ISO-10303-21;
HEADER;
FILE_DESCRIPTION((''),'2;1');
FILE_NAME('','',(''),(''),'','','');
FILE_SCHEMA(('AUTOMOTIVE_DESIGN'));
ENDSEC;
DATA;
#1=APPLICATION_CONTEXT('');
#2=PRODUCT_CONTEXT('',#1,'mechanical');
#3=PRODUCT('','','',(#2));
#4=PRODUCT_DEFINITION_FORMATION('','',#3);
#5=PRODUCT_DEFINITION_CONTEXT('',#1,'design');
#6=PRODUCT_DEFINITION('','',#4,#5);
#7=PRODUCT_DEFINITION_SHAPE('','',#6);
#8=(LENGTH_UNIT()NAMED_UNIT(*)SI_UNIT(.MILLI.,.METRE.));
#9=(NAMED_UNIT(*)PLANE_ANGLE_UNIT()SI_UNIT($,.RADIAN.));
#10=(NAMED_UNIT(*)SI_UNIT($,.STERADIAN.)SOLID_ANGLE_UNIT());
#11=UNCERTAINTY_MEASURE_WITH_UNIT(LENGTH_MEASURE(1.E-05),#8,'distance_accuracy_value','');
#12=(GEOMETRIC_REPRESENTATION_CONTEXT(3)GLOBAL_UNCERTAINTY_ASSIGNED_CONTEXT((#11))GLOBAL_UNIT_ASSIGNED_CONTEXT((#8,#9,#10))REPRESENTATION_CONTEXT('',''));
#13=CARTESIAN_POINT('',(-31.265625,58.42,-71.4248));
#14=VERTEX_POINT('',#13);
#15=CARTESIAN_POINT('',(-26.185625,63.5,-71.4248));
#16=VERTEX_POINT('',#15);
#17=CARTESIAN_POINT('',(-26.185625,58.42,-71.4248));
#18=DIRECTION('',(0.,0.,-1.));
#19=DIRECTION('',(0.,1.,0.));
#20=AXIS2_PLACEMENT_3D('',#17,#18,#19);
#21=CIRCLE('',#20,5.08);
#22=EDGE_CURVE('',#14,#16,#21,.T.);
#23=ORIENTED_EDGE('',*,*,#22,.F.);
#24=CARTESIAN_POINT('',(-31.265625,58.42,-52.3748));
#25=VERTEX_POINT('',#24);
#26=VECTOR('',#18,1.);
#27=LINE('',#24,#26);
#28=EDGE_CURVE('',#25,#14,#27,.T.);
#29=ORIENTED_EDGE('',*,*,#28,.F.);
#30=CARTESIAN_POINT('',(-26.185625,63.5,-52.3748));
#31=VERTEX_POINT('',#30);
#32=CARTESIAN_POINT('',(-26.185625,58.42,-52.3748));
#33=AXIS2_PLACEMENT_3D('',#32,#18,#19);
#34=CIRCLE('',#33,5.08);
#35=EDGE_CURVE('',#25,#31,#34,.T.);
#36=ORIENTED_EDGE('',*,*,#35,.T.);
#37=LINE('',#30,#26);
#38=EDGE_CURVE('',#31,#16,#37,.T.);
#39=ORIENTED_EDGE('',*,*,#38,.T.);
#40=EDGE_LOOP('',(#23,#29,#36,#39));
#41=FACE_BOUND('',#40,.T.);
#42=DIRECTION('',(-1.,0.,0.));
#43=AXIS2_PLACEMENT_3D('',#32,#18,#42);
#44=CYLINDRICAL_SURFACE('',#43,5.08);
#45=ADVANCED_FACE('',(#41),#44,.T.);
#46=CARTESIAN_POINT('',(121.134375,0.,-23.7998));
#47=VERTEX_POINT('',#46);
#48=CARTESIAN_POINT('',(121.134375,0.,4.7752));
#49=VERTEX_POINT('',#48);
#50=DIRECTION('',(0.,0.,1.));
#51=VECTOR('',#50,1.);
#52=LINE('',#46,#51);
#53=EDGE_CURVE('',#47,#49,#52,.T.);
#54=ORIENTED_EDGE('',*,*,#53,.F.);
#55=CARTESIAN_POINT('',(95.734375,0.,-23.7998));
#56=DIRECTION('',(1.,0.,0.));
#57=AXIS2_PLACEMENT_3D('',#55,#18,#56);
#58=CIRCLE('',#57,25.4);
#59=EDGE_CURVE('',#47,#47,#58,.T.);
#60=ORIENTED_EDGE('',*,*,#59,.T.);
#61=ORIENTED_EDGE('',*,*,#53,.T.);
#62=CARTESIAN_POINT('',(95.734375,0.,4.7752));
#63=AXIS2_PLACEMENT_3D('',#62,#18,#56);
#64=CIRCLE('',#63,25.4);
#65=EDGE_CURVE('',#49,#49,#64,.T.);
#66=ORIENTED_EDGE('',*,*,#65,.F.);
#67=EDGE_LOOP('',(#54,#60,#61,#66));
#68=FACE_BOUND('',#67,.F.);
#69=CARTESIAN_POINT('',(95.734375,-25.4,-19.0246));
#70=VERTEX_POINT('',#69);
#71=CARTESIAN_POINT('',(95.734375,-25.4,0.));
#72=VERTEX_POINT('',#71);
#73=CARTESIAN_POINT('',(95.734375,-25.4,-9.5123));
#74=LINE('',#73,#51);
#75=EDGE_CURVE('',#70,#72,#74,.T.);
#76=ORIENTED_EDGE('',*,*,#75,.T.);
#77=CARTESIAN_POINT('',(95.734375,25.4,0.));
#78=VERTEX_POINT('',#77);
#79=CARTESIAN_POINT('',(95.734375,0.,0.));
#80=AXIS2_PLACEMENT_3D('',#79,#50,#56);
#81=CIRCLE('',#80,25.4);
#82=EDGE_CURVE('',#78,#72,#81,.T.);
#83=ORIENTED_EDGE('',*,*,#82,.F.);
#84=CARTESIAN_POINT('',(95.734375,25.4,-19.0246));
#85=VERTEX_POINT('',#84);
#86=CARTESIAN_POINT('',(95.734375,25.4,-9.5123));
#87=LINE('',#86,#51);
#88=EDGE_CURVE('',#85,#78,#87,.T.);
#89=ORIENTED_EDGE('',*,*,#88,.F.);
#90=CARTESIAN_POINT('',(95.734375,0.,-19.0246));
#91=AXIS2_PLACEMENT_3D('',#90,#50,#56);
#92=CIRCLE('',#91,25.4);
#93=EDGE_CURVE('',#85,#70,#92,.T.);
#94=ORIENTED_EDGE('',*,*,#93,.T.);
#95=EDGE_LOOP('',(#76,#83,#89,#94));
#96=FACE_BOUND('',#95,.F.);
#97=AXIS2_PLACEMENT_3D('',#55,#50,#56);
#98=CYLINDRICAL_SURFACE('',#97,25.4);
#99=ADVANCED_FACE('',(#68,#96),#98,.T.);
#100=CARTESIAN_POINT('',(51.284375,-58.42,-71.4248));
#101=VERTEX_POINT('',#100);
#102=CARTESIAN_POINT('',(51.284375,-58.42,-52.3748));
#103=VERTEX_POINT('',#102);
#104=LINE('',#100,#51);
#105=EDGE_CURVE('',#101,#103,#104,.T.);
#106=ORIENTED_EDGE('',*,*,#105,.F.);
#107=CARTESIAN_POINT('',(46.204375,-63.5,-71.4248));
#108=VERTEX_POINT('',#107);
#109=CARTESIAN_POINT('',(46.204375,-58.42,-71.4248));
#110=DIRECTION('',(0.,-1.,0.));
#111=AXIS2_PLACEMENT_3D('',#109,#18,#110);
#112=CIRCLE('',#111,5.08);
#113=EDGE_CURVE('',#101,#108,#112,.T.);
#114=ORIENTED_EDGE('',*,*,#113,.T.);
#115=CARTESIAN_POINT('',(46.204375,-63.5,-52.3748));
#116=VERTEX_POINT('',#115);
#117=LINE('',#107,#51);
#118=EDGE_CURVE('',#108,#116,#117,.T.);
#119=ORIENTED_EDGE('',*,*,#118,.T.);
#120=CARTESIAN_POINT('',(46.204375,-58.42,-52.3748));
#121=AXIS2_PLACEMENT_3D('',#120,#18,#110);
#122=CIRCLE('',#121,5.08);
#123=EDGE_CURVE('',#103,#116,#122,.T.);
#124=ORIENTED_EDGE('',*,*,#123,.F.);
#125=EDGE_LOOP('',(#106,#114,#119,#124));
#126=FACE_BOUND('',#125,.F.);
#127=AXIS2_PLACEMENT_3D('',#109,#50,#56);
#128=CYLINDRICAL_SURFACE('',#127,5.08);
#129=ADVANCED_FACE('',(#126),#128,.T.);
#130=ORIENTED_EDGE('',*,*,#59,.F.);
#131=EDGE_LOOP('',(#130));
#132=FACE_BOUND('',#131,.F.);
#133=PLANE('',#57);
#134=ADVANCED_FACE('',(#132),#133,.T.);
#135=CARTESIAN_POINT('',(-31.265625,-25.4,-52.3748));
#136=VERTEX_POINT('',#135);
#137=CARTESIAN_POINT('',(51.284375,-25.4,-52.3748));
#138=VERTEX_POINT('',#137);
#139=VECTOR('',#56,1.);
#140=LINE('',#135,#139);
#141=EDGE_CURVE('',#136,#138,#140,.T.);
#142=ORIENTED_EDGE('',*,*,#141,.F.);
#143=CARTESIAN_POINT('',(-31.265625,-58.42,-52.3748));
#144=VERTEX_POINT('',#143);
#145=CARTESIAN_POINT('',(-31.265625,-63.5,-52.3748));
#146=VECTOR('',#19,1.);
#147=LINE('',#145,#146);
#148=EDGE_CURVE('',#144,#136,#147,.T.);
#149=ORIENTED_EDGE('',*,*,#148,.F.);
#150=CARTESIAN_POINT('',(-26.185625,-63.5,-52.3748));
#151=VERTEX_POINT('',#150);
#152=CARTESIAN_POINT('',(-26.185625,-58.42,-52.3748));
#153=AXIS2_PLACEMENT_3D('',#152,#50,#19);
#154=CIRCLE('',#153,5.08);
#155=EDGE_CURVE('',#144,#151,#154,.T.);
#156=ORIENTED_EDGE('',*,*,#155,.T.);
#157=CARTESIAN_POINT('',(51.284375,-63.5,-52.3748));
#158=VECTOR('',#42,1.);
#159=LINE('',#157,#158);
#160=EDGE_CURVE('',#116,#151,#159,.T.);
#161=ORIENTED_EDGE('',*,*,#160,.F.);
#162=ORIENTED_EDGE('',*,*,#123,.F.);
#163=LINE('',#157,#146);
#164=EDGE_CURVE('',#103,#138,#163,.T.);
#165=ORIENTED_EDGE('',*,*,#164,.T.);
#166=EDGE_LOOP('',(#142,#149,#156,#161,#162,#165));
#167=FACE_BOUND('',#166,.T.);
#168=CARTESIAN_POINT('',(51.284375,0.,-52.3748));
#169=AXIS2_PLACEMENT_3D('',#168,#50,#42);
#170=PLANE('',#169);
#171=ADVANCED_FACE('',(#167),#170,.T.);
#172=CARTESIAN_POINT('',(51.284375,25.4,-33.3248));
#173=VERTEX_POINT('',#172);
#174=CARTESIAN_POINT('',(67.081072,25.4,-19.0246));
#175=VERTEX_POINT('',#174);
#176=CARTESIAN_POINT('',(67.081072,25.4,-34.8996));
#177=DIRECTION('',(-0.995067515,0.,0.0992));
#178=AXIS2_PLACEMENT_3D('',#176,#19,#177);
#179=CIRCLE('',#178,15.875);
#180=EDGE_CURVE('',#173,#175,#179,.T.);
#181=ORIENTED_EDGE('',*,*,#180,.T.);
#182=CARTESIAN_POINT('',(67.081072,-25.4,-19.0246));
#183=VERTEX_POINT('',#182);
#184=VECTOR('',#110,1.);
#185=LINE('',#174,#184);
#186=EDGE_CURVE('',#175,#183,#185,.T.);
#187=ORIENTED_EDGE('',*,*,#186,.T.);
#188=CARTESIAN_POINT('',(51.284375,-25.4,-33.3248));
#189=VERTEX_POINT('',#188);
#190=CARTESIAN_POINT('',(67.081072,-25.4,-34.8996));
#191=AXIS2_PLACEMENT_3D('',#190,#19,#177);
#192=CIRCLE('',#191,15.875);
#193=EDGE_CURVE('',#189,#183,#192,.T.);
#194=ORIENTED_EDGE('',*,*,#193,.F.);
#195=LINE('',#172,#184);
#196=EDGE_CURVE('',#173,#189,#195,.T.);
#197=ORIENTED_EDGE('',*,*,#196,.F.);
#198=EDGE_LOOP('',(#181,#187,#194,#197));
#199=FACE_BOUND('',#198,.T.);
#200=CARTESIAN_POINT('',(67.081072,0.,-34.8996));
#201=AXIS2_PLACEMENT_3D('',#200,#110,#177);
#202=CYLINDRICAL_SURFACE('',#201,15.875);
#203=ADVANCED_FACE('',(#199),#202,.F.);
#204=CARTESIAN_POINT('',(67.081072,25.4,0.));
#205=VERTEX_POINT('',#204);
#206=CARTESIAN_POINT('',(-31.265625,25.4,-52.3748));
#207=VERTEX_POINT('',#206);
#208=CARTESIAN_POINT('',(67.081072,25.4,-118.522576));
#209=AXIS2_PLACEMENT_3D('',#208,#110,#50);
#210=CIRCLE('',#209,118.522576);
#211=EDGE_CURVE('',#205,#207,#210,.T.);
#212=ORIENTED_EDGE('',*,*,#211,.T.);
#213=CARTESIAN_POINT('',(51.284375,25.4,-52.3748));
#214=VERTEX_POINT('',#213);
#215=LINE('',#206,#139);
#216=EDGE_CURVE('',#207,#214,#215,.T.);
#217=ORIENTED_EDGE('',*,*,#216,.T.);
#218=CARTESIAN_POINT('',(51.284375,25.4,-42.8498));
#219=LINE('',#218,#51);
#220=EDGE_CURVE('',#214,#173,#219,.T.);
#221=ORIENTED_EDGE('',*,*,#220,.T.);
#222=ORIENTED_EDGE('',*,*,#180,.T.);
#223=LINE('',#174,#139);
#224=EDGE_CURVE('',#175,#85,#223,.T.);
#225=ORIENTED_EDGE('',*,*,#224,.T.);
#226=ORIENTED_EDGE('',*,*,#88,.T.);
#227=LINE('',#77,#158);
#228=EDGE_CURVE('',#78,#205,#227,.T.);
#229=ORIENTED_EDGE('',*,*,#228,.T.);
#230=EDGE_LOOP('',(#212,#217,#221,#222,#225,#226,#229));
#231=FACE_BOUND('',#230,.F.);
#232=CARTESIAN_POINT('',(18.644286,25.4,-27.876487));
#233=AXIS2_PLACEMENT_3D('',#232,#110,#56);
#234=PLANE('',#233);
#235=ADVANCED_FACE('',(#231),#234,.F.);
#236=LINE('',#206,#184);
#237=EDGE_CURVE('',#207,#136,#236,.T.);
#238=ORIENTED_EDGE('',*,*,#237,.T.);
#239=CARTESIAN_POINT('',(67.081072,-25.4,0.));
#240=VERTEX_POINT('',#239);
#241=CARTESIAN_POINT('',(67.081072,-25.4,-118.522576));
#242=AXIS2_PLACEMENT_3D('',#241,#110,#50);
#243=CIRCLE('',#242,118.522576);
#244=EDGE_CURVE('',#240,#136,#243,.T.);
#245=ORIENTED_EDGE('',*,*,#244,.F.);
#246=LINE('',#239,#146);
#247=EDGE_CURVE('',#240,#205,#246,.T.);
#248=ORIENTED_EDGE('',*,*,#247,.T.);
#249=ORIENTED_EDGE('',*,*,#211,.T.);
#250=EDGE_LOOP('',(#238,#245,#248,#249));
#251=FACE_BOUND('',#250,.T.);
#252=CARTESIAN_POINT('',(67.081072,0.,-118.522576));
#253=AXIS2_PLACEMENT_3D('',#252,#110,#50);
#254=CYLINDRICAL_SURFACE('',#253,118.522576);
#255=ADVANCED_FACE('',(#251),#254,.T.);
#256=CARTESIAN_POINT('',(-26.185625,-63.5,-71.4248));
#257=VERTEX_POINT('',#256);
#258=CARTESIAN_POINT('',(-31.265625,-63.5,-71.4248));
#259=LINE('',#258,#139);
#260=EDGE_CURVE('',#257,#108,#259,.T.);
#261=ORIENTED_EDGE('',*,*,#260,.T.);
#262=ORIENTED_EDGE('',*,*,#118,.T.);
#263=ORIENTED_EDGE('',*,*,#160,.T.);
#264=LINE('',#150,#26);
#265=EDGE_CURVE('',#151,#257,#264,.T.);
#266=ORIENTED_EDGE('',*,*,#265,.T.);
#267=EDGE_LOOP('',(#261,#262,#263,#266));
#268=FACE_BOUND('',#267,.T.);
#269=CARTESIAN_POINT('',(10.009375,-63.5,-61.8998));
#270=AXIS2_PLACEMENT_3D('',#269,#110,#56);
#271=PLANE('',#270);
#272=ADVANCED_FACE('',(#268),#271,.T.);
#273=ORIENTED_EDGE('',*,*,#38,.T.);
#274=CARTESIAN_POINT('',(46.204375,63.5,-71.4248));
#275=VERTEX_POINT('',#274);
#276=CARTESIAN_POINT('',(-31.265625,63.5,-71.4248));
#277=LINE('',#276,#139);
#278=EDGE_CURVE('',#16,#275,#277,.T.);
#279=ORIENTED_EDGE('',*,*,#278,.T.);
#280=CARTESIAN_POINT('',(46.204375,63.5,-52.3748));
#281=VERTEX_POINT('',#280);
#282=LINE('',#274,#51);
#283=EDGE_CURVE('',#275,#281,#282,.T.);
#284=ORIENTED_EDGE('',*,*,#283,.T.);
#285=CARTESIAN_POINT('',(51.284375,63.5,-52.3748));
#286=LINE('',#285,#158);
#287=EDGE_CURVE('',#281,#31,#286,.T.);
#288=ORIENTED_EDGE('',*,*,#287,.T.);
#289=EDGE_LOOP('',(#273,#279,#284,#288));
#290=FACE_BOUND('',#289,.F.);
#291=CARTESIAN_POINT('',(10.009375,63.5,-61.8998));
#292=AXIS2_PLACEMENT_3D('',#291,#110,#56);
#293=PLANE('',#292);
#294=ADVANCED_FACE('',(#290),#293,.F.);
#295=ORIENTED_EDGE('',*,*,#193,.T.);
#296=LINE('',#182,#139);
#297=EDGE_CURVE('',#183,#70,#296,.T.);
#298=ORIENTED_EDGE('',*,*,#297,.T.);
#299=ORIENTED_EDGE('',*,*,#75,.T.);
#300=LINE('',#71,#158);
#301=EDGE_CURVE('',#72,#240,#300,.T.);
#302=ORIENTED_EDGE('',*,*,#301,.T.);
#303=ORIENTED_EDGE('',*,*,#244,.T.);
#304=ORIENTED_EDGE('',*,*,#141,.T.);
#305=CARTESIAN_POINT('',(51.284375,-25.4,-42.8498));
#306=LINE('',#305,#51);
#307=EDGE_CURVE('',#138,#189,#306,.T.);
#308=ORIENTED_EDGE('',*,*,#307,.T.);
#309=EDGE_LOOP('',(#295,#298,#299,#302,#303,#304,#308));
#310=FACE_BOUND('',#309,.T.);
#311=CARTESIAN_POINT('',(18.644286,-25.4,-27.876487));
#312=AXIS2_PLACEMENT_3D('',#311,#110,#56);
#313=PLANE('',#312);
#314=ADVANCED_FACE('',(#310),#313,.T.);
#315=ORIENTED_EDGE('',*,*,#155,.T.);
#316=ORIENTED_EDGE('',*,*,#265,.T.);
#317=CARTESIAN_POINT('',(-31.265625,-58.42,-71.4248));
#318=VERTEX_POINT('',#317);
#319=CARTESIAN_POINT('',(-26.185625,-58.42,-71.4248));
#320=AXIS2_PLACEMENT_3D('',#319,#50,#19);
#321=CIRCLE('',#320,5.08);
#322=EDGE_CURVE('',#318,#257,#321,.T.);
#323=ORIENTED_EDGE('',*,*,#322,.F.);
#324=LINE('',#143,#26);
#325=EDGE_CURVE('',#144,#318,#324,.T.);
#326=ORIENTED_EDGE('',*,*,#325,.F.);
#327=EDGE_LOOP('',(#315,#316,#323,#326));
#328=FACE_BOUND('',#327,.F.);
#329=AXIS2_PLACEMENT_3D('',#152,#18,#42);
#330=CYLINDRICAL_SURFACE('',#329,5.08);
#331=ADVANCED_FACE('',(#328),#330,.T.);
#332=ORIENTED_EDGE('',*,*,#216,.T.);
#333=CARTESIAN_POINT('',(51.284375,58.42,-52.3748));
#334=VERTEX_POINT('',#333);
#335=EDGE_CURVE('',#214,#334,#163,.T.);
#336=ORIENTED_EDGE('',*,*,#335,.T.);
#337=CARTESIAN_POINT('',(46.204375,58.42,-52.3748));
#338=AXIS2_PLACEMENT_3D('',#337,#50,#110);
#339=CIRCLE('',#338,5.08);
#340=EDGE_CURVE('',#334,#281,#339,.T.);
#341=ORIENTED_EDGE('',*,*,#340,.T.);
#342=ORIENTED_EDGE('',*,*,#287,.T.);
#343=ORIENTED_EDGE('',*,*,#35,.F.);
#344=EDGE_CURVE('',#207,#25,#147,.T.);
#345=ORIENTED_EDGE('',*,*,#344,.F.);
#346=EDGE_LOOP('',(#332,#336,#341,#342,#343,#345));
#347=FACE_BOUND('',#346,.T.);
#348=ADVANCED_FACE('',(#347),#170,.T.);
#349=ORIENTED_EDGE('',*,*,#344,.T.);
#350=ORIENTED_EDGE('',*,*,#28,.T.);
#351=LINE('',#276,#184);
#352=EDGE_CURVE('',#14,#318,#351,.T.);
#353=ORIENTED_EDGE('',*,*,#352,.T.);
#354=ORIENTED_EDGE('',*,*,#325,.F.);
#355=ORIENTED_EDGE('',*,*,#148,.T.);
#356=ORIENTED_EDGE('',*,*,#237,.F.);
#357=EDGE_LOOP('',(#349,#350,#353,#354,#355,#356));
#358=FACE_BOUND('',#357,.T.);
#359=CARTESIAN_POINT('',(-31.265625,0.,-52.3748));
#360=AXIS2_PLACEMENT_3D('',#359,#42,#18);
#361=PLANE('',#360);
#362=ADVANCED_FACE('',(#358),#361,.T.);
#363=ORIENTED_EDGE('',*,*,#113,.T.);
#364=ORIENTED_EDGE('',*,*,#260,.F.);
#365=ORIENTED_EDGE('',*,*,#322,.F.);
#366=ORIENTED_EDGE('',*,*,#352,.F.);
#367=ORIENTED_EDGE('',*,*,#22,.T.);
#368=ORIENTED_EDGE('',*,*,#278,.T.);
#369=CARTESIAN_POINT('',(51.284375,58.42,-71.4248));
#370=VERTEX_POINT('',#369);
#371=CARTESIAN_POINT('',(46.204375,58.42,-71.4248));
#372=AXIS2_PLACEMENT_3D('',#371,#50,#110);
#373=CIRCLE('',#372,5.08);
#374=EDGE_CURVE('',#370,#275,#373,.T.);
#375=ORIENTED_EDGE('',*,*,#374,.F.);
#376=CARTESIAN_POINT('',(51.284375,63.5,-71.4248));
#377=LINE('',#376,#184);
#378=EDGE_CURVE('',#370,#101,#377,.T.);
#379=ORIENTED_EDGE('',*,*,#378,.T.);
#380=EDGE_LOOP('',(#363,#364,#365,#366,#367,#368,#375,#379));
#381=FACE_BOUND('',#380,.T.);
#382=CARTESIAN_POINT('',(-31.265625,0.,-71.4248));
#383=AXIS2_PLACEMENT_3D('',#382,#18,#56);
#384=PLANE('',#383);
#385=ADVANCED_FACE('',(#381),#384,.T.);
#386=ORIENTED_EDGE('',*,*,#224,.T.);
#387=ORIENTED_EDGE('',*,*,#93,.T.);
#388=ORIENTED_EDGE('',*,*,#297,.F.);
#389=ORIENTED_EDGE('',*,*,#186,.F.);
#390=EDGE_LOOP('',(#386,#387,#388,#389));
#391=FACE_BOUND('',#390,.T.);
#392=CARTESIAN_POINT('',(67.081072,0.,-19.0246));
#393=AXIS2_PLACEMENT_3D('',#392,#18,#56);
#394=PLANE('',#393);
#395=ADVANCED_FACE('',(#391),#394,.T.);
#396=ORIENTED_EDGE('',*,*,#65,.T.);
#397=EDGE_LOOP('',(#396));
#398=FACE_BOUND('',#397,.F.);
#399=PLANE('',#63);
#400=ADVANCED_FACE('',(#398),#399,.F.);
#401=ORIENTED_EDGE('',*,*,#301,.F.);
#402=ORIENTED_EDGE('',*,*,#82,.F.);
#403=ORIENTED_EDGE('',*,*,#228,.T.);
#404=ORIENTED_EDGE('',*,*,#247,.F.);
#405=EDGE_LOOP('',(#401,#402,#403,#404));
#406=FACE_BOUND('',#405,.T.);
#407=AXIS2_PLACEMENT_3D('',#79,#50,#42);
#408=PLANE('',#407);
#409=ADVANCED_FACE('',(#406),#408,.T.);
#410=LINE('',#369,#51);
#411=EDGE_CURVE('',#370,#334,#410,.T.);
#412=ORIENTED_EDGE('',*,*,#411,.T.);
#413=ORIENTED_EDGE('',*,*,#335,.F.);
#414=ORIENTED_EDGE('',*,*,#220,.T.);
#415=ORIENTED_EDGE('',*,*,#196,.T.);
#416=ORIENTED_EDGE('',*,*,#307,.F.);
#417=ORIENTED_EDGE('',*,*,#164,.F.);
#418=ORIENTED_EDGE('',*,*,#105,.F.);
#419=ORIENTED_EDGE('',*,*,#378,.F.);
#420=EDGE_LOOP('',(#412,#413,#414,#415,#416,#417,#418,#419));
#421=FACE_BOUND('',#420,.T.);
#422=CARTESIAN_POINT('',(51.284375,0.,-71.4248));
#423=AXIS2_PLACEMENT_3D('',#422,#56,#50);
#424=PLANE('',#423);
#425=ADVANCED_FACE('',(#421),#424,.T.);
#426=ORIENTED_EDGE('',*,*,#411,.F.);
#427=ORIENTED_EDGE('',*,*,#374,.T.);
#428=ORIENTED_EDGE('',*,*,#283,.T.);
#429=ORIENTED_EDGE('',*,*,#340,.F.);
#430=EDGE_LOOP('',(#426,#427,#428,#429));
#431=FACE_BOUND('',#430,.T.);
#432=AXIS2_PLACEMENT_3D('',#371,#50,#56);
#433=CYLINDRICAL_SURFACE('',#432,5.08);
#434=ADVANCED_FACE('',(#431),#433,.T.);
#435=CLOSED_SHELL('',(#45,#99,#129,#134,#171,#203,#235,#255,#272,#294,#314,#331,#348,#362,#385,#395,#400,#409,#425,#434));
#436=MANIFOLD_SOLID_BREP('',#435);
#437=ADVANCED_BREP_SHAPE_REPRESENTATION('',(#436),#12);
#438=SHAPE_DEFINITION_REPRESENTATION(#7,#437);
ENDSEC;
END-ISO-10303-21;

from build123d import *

# Parameters (mm, degrees)
F1_DEPTH = 63.5
F0_W     = 19.05
F0_H     = 19.05
F0_W_2   = 3.2533031947
F0_H_2   = 19.0246
F0_W_3   = 25.4
F2_DEPTH = 25.4
F4_R     = 5.08


with BuildPart() as f1:
    # F0 (on Front) → F1 (new body, symmetric)
    with BuildSketch(Plane.XZ):
        Polygon((32.2343749046, -52.3748), (-31.2656250954, -52.3748), (-31.2656250954, -71.4248), (51.2843749046, -71.4248), (51.2843749046, -52.3748), align=None)
    extrude(amount=F1_DEPTH, both=True)

    # F0 (on Front) → F2 (join, symmetric)
    with BuildSketch(Plane.XZ):
        with BuildLine():
            ThreePointArc((67.08107171, 0), (11.3693304709, -13.9099433247), (-31.2656250954, -52.3748))
            Line((-31.2656250954, -52.3748), (32.2343749046, -52.3748))
            Line((32.2343749046, -52.3748), (32.2343749046, -33.3248))
            ThreePointArc((32.2343749046, -33.3248), (42.9728025203, -9.6721882708), (67.08107171, 0))
        make_face()
        with BuildLine():
            Line((67.08107171, -19.0246), (67.08107171, 0))
            ThreePointArc((67.08107171, 0), (42.9728025203, -9.6721882708), (32.2343749046, -33.3248))
            Line((32.2343749046, -33.3248), (51.2843749046, -33.3248))
            ThreePointArc((51.2843749046, -33.3248), (56.4270660079, -23.1306668495), (67.08107171, -19.0246))
        make_face()
        with Locations((41.7593749046, -42.8498)):
            Rectangle(F0_W, F0_H)
        with Locations((68.7077233073, -9.5123)):
            Rectangle(F0_W_2, F0_H_2)
        with Locations((83.0343749046, -9.5123)):
            Rectangle(F0_W_3, F0_H_2)
    extrude(amount=F2_DEPTH, both=True)

    # F0 (on Front) → F3 (revolve)
    with BuildSketch(Plane.XZ):
        Polygon((95.7343749046, 4.7752), (95.7343749046, 0), (95.7343749046, -19.0246), (95.7343749046, -23.7998), (121.1343749046, -23.7998), (121.1343749046, 4.7752), align=None)
    revolve(axis=Axis((95.7343749046, 0, -9.5123), (0, 0, -1)))

    # F4
    f4_edges = [f1.edges().sort_by_distance(p)[0] for p in [
        (-31.265625, -63.5, -61.8998),
        (51.284375, -63.5, -61.8998),
        (51.284375, 63.5, -61.8998),
        (-31.265625, 63.5, -61.8998),
    ]]
    fillet(f4_edges, radius=F4_R)


solid = f1.part
